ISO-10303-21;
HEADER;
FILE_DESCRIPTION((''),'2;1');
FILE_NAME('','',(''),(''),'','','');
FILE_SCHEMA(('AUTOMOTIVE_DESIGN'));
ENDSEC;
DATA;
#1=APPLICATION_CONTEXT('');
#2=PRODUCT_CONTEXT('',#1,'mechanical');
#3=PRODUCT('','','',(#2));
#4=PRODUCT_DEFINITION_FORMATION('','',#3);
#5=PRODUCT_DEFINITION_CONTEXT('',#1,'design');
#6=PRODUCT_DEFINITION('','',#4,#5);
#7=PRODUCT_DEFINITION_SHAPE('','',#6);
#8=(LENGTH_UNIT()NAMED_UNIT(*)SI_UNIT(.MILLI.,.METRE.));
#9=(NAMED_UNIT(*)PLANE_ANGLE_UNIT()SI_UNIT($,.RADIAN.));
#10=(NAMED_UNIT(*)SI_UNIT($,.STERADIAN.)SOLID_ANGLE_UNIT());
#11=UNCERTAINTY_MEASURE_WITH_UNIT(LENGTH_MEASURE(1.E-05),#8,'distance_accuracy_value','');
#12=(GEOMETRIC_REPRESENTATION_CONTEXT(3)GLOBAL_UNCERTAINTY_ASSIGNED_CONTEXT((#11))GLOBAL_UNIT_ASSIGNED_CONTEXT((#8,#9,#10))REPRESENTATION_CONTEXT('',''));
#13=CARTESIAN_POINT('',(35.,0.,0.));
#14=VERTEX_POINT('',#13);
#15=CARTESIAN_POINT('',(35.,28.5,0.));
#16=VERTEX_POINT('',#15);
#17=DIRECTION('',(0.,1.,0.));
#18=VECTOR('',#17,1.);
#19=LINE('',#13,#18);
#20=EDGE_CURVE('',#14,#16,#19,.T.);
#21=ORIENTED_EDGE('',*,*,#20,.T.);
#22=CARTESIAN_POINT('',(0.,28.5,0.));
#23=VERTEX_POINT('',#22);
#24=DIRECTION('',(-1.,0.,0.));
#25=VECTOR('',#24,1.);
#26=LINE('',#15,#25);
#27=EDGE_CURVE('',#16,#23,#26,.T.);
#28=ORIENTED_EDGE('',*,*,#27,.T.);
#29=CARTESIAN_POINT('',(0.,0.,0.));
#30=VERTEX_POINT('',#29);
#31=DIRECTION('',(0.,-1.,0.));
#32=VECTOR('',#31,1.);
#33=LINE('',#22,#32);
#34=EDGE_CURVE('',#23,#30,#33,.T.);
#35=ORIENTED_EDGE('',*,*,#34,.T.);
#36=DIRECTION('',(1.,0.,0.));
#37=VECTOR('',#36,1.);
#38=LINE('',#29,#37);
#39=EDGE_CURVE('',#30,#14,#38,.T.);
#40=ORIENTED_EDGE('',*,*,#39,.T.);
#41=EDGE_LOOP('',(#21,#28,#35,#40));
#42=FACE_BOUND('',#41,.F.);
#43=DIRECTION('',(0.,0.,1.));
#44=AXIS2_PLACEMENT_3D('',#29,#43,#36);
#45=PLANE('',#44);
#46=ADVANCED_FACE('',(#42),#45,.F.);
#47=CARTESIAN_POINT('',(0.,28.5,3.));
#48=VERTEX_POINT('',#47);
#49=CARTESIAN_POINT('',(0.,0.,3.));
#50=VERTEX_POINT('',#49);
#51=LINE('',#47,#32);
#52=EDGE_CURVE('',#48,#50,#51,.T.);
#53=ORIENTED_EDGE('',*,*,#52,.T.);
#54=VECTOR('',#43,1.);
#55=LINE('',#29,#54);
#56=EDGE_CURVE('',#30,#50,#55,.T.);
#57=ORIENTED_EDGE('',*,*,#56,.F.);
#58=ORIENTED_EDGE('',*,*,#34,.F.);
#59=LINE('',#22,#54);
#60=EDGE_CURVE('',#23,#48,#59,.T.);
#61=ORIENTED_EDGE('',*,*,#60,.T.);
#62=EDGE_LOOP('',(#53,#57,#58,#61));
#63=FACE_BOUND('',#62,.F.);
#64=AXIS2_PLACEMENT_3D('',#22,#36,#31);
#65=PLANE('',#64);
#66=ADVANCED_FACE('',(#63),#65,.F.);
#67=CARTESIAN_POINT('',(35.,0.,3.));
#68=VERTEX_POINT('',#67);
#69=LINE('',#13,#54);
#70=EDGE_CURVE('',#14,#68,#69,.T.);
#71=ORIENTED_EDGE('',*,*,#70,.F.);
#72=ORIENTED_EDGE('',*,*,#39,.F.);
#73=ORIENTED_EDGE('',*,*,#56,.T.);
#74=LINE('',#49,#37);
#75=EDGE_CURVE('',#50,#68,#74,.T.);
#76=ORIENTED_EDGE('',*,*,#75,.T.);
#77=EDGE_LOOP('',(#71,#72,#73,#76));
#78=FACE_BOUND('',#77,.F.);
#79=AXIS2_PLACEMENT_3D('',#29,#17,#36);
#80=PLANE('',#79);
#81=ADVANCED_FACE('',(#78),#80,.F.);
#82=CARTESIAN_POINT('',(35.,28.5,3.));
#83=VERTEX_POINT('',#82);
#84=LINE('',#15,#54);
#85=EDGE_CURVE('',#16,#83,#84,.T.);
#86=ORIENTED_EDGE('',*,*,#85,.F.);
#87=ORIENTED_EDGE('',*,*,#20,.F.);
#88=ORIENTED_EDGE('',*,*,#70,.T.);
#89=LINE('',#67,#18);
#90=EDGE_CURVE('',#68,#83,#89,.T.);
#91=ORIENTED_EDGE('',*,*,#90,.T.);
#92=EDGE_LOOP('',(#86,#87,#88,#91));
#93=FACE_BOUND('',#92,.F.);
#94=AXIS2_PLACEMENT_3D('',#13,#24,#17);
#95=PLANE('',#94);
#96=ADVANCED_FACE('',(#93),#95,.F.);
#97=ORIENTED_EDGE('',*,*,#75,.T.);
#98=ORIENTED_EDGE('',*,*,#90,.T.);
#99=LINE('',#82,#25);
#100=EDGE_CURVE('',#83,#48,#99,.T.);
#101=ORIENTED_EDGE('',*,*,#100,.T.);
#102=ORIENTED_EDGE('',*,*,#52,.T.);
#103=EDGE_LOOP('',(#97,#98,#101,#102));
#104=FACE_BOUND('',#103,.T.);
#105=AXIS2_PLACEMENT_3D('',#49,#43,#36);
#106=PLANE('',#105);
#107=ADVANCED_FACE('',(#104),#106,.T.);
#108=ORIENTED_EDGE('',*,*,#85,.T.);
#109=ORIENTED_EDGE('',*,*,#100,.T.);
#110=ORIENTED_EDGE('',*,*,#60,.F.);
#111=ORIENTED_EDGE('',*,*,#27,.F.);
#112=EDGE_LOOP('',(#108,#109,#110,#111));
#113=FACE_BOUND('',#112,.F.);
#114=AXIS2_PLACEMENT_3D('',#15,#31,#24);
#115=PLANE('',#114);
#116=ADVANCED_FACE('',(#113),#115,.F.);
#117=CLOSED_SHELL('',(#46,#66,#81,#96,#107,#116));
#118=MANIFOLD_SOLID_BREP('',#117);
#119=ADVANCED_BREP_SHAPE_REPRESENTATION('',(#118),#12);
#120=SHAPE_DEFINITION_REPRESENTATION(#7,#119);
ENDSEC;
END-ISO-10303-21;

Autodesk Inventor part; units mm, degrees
ref_plane "YZ Plane" through (0, 0, 0) normal (1, 0, 0) x (0, 1, 0)
ref_plane "XZ Plane" through (0, 0, 0) normal (0, 1, 0) x (-1, 0, 0)
ref_plane "XY Plane" through (0, 0, 0) normal (0, 0, 1) x (1, 0, 0)
sketch "Sketch1" plane through (0, 0, 0) normal (0, 0, 1) x (1, 0, 0)
  line L0 (0, 0) -> (35, 0)
  line L1 (35, 0) -> (35, 28.5)
  line L2 (35, 28.5) -> (0, 28.5)
  line L3 (0, 28.5) -> (0, 0)
  dimension "d0" = 35
  dimension "d1" = 28.5
extrude "Extrusion1" add sketch "Sketch1" along normal blind 3
properties part number "Fof"
